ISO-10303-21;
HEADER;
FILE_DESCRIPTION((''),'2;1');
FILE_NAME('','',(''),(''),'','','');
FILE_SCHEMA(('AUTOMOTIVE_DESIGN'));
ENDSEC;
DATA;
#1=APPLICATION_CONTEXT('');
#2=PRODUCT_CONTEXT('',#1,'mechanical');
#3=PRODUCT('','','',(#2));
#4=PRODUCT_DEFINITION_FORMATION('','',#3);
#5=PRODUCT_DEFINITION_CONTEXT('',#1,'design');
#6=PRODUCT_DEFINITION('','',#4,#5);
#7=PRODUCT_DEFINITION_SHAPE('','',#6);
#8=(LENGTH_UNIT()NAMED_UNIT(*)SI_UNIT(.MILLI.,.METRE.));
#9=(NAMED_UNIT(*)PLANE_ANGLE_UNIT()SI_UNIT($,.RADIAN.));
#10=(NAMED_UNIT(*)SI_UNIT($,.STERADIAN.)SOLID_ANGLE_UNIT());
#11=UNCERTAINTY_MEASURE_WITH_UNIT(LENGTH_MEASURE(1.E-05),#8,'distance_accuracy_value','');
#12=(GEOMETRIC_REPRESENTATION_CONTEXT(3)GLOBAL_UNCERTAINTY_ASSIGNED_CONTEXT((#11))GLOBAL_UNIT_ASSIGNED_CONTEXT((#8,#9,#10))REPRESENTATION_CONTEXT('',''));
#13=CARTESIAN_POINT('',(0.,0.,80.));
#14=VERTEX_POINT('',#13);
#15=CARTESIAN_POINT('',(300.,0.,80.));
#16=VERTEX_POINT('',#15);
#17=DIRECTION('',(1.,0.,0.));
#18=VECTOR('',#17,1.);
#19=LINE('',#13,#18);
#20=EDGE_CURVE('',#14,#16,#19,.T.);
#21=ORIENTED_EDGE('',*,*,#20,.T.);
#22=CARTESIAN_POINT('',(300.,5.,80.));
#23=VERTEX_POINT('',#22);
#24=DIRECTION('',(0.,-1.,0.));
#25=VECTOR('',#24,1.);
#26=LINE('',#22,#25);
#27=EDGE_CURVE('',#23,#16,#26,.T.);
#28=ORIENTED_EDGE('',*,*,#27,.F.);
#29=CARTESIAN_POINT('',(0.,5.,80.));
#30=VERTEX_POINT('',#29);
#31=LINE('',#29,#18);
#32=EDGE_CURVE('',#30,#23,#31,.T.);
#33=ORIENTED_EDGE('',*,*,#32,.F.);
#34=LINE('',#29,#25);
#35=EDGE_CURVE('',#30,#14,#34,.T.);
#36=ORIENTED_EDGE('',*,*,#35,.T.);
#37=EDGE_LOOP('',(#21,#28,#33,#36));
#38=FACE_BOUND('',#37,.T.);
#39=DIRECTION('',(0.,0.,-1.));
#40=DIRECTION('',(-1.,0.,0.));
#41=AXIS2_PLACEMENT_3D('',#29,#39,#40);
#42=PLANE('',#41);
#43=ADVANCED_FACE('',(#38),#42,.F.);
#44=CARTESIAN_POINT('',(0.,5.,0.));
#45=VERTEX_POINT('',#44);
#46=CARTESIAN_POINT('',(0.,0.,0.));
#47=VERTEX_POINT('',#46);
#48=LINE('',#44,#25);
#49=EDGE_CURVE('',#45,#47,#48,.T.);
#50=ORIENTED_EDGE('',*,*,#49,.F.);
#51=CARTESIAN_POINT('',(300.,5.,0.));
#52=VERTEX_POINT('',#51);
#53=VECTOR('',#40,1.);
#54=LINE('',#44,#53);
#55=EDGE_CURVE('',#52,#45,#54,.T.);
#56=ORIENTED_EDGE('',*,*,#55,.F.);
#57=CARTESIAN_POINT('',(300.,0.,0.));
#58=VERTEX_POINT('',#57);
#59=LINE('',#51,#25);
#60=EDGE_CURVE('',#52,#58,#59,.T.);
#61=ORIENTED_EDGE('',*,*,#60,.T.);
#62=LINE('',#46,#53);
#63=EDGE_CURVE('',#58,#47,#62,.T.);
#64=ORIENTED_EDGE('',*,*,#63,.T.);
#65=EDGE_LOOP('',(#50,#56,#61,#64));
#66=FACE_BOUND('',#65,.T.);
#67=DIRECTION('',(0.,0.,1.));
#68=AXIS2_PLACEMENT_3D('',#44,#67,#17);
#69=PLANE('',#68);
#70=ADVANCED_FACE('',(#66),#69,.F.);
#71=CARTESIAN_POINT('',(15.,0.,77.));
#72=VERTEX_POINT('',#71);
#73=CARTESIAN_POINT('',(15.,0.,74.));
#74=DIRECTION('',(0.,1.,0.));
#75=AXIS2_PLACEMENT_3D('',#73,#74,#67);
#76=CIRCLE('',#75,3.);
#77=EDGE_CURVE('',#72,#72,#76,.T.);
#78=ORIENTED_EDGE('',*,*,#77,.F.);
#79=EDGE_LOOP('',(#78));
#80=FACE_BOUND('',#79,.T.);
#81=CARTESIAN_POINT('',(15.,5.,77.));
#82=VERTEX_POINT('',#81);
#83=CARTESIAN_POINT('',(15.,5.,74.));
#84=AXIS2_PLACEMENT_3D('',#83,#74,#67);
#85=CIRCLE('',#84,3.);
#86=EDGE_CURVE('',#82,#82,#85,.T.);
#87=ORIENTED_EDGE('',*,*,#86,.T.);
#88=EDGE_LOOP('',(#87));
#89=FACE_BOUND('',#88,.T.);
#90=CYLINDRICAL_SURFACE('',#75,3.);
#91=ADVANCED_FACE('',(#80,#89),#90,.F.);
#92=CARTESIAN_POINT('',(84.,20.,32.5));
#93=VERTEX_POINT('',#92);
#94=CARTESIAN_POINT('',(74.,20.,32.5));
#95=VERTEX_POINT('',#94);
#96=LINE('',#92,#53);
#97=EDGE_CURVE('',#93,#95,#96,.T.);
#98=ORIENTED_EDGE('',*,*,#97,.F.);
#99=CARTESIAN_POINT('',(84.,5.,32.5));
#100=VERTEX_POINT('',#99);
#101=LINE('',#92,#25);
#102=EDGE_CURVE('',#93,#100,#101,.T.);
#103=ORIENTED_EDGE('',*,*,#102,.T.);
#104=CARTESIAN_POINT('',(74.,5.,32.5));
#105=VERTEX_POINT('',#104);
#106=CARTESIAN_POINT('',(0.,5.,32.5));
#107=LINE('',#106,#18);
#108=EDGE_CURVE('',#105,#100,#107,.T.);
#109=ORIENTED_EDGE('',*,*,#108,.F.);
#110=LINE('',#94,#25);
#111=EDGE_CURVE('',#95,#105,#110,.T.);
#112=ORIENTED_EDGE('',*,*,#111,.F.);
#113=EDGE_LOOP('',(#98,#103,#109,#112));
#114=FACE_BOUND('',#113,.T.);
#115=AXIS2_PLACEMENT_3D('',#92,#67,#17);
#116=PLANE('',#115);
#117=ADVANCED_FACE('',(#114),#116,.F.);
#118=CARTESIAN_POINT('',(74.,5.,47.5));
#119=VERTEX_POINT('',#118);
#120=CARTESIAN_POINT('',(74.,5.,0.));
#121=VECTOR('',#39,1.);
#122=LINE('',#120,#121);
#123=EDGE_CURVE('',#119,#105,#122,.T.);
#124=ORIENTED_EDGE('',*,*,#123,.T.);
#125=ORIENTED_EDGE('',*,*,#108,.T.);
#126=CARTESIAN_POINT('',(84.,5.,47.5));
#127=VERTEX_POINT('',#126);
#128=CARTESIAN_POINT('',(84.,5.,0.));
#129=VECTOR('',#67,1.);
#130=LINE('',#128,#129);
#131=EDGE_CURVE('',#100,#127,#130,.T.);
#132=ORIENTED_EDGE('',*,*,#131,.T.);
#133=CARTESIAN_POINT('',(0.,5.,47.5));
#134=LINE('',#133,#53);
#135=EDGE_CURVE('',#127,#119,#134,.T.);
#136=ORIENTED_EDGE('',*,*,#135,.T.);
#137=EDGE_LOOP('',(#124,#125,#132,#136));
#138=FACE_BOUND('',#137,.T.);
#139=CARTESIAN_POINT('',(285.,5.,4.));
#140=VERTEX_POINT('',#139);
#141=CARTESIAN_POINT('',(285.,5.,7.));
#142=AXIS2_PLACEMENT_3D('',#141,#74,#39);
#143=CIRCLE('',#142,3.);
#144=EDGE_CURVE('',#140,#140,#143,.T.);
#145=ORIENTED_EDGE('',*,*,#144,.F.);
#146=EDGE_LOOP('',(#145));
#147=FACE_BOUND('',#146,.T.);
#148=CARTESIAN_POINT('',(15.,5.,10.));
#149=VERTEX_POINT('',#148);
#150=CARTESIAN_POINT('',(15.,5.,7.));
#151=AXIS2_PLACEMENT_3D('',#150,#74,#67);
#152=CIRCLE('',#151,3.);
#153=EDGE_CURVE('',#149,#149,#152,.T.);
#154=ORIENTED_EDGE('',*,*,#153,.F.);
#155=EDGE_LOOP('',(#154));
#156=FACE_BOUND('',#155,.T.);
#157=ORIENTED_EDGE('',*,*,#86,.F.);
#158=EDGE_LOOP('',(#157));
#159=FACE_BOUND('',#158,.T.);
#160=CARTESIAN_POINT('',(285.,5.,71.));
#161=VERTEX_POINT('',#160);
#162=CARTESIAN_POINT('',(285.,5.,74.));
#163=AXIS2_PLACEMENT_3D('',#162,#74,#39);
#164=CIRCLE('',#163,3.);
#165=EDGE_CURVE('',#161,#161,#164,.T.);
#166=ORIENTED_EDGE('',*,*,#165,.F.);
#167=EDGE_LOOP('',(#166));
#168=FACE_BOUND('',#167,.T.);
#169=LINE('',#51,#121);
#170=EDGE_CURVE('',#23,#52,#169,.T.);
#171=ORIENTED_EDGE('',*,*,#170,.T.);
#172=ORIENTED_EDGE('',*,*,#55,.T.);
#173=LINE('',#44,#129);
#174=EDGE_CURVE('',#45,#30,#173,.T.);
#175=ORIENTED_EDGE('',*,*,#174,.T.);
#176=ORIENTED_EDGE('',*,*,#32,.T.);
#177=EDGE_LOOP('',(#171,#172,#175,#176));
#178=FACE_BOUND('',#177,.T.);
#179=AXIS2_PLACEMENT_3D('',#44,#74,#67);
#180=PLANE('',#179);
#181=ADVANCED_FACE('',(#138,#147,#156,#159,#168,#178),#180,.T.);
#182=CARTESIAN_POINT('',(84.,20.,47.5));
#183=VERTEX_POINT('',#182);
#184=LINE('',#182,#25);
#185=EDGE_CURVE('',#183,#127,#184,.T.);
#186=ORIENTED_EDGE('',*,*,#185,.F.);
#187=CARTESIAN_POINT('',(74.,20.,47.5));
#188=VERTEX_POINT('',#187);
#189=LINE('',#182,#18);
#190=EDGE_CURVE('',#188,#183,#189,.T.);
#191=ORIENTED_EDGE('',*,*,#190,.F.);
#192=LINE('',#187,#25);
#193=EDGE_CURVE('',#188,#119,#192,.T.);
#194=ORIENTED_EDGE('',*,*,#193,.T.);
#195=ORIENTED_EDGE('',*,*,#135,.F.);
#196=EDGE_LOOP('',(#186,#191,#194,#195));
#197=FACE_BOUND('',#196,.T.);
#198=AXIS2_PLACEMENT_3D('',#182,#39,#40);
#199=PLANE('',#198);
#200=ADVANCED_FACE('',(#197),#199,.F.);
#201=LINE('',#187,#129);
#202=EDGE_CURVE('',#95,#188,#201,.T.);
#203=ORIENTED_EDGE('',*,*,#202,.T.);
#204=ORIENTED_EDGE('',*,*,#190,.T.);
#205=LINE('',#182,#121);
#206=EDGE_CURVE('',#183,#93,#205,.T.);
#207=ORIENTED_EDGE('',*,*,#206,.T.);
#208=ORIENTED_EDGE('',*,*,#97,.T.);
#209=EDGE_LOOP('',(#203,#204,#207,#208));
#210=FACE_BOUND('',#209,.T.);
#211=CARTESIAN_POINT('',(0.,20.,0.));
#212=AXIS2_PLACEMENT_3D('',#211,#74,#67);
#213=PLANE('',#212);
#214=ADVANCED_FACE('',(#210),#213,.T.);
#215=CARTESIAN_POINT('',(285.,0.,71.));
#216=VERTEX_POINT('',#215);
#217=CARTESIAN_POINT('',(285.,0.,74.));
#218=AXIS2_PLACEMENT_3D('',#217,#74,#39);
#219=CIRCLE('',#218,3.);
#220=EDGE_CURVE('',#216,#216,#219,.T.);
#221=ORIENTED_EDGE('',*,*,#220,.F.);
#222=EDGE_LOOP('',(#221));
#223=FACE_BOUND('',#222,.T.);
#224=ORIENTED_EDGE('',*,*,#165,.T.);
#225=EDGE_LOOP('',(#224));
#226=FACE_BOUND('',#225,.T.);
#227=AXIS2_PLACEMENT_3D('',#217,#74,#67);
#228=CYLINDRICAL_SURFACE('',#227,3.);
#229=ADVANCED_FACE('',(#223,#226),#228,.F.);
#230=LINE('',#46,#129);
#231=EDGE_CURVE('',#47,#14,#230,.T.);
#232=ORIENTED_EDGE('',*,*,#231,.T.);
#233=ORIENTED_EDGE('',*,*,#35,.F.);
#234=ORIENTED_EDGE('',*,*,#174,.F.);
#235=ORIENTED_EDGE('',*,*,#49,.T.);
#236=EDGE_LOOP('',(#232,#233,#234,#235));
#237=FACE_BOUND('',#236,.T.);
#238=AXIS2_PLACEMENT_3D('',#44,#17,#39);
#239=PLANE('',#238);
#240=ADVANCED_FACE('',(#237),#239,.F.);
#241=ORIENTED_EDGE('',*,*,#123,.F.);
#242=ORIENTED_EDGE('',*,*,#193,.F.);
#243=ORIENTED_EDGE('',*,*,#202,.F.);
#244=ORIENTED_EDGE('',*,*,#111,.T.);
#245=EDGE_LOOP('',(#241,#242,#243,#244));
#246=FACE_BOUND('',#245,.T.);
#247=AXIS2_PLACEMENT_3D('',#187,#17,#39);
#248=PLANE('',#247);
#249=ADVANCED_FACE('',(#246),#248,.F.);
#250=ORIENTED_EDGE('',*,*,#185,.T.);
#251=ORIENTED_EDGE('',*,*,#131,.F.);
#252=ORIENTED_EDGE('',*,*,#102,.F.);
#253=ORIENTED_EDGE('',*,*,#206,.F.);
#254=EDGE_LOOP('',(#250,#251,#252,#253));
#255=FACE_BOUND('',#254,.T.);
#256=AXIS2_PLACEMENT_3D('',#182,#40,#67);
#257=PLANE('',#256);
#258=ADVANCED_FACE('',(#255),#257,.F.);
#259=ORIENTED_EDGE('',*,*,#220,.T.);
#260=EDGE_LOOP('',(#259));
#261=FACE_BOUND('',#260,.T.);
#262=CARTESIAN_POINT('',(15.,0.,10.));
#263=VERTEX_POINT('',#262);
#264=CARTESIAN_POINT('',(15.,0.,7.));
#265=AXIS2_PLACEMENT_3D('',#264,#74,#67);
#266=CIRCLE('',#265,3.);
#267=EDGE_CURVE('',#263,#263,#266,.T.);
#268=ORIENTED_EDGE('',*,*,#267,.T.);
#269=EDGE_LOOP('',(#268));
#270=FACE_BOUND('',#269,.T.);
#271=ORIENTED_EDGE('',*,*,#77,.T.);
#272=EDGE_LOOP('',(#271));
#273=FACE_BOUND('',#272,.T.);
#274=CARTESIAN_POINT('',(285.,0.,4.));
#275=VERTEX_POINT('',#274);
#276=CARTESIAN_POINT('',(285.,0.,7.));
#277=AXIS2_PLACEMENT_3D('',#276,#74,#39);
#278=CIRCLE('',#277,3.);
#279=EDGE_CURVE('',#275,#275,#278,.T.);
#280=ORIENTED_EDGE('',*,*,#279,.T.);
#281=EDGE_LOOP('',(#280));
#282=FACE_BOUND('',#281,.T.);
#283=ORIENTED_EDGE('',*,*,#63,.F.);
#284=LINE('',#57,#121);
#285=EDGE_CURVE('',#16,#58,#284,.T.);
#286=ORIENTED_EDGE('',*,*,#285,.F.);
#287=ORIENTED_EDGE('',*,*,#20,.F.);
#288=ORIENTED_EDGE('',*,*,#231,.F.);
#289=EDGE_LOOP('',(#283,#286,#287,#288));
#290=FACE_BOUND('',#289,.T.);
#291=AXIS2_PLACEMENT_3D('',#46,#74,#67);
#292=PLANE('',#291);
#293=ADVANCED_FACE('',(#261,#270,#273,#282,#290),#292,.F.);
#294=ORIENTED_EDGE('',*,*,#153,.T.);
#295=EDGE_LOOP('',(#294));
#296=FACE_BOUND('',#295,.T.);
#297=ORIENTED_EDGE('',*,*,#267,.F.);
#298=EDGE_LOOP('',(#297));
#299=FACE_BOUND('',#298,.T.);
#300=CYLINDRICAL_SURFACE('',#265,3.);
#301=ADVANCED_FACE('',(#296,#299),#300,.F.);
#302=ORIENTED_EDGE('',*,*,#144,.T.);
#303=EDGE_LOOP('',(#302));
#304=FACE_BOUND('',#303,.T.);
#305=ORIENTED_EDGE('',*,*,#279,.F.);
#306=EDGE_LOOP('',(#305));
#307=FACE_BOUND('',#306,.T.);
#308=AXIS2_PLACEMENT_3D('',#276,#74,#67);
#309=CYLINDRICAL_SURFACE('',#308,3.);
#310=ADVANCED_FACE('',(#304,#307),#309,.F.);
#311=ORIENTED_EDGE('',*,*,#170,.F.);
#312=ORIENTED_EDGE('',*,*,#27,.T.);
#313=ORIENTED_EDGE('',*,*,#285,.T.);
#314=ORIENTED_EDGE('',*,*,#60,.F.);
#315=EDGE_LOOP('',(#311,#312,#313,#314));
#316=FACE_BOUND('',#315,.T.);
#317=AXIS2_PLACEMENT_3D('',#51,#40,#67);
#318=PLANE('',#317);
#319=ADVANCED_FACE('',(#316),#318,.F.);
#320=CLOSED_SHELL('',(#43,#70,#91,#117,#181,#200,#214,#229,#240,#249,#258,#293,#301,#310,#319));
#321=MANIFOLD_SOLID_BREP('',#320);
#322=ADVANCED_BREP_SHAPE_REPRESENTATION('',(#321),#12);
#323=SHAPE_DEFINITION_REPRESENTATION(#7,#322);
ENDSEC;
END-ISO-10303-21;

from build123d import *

# Parameters (mm, degrees)
SKETCH1_W           = 300
SKETCH1_H           = 80
BOSS_EXTRUDE1_DEPTH = 5
SKETCH2_R           = 3
CUT_EXTRUDE2_DEPTH  = 5
SKETCH4_W           = 10
SKETCH4_H           = 15
BOSS_EXTRUDE2_DEPTH = 20


with BuildPart() as part:
    # Sketch1 → Boss-Extrude1 (new body)
    with BuildSketch(Plane(origin=(0, 0, 0), x_dir=(1, 0, 0), z_dir=(0, 1, 0))):
        with Locations((150, -40)):
            Rectangle(SKETCH1_W, SKETCH1_H)
    extrude(amount=BOSS_EXTRUDE1_DEPTH)

    # Sketch2 → Cut-Extrude2 (cut)
    with BuildSketch(Plane(origin=(0, 5, 0), x_dir=(1, 0, 0), z_dir=(0, 1, 0))):
        with Locations(Location((15, -7, 0), (0, 0, 270))):
            Circle(SKETCH2_R)
        with Locations(Location((15, -74, 0), (0, 0, 270))):
            Circle(SKETCH2_R)
        with Locations(Location((285, -7, 0), (0, 0, 90))):
            Circle(SKETCH2_R)
        with Locations(Location((285, -74, 0), (0, 0, 90))):
            Circle(SKETCH2_R)
    extrude(amount=-CUT_EXTRUDE2_DEPTH, mode=Mode.SUBTRACT)

    # Sketch4 → Boss-Extrude2 (add)
    with BuildSketch(Plane(origin=(0, 0, 0), x_dir=(1, 0, 0), z_dir=(0, 1, 0))):
        with Locations((79, -40)):
            Rectangle(SKETCH4_W, SKETCH4_H)
    extrude(amount=BOSS_EXTRUDE2_DEPTH)


solid = part.part
